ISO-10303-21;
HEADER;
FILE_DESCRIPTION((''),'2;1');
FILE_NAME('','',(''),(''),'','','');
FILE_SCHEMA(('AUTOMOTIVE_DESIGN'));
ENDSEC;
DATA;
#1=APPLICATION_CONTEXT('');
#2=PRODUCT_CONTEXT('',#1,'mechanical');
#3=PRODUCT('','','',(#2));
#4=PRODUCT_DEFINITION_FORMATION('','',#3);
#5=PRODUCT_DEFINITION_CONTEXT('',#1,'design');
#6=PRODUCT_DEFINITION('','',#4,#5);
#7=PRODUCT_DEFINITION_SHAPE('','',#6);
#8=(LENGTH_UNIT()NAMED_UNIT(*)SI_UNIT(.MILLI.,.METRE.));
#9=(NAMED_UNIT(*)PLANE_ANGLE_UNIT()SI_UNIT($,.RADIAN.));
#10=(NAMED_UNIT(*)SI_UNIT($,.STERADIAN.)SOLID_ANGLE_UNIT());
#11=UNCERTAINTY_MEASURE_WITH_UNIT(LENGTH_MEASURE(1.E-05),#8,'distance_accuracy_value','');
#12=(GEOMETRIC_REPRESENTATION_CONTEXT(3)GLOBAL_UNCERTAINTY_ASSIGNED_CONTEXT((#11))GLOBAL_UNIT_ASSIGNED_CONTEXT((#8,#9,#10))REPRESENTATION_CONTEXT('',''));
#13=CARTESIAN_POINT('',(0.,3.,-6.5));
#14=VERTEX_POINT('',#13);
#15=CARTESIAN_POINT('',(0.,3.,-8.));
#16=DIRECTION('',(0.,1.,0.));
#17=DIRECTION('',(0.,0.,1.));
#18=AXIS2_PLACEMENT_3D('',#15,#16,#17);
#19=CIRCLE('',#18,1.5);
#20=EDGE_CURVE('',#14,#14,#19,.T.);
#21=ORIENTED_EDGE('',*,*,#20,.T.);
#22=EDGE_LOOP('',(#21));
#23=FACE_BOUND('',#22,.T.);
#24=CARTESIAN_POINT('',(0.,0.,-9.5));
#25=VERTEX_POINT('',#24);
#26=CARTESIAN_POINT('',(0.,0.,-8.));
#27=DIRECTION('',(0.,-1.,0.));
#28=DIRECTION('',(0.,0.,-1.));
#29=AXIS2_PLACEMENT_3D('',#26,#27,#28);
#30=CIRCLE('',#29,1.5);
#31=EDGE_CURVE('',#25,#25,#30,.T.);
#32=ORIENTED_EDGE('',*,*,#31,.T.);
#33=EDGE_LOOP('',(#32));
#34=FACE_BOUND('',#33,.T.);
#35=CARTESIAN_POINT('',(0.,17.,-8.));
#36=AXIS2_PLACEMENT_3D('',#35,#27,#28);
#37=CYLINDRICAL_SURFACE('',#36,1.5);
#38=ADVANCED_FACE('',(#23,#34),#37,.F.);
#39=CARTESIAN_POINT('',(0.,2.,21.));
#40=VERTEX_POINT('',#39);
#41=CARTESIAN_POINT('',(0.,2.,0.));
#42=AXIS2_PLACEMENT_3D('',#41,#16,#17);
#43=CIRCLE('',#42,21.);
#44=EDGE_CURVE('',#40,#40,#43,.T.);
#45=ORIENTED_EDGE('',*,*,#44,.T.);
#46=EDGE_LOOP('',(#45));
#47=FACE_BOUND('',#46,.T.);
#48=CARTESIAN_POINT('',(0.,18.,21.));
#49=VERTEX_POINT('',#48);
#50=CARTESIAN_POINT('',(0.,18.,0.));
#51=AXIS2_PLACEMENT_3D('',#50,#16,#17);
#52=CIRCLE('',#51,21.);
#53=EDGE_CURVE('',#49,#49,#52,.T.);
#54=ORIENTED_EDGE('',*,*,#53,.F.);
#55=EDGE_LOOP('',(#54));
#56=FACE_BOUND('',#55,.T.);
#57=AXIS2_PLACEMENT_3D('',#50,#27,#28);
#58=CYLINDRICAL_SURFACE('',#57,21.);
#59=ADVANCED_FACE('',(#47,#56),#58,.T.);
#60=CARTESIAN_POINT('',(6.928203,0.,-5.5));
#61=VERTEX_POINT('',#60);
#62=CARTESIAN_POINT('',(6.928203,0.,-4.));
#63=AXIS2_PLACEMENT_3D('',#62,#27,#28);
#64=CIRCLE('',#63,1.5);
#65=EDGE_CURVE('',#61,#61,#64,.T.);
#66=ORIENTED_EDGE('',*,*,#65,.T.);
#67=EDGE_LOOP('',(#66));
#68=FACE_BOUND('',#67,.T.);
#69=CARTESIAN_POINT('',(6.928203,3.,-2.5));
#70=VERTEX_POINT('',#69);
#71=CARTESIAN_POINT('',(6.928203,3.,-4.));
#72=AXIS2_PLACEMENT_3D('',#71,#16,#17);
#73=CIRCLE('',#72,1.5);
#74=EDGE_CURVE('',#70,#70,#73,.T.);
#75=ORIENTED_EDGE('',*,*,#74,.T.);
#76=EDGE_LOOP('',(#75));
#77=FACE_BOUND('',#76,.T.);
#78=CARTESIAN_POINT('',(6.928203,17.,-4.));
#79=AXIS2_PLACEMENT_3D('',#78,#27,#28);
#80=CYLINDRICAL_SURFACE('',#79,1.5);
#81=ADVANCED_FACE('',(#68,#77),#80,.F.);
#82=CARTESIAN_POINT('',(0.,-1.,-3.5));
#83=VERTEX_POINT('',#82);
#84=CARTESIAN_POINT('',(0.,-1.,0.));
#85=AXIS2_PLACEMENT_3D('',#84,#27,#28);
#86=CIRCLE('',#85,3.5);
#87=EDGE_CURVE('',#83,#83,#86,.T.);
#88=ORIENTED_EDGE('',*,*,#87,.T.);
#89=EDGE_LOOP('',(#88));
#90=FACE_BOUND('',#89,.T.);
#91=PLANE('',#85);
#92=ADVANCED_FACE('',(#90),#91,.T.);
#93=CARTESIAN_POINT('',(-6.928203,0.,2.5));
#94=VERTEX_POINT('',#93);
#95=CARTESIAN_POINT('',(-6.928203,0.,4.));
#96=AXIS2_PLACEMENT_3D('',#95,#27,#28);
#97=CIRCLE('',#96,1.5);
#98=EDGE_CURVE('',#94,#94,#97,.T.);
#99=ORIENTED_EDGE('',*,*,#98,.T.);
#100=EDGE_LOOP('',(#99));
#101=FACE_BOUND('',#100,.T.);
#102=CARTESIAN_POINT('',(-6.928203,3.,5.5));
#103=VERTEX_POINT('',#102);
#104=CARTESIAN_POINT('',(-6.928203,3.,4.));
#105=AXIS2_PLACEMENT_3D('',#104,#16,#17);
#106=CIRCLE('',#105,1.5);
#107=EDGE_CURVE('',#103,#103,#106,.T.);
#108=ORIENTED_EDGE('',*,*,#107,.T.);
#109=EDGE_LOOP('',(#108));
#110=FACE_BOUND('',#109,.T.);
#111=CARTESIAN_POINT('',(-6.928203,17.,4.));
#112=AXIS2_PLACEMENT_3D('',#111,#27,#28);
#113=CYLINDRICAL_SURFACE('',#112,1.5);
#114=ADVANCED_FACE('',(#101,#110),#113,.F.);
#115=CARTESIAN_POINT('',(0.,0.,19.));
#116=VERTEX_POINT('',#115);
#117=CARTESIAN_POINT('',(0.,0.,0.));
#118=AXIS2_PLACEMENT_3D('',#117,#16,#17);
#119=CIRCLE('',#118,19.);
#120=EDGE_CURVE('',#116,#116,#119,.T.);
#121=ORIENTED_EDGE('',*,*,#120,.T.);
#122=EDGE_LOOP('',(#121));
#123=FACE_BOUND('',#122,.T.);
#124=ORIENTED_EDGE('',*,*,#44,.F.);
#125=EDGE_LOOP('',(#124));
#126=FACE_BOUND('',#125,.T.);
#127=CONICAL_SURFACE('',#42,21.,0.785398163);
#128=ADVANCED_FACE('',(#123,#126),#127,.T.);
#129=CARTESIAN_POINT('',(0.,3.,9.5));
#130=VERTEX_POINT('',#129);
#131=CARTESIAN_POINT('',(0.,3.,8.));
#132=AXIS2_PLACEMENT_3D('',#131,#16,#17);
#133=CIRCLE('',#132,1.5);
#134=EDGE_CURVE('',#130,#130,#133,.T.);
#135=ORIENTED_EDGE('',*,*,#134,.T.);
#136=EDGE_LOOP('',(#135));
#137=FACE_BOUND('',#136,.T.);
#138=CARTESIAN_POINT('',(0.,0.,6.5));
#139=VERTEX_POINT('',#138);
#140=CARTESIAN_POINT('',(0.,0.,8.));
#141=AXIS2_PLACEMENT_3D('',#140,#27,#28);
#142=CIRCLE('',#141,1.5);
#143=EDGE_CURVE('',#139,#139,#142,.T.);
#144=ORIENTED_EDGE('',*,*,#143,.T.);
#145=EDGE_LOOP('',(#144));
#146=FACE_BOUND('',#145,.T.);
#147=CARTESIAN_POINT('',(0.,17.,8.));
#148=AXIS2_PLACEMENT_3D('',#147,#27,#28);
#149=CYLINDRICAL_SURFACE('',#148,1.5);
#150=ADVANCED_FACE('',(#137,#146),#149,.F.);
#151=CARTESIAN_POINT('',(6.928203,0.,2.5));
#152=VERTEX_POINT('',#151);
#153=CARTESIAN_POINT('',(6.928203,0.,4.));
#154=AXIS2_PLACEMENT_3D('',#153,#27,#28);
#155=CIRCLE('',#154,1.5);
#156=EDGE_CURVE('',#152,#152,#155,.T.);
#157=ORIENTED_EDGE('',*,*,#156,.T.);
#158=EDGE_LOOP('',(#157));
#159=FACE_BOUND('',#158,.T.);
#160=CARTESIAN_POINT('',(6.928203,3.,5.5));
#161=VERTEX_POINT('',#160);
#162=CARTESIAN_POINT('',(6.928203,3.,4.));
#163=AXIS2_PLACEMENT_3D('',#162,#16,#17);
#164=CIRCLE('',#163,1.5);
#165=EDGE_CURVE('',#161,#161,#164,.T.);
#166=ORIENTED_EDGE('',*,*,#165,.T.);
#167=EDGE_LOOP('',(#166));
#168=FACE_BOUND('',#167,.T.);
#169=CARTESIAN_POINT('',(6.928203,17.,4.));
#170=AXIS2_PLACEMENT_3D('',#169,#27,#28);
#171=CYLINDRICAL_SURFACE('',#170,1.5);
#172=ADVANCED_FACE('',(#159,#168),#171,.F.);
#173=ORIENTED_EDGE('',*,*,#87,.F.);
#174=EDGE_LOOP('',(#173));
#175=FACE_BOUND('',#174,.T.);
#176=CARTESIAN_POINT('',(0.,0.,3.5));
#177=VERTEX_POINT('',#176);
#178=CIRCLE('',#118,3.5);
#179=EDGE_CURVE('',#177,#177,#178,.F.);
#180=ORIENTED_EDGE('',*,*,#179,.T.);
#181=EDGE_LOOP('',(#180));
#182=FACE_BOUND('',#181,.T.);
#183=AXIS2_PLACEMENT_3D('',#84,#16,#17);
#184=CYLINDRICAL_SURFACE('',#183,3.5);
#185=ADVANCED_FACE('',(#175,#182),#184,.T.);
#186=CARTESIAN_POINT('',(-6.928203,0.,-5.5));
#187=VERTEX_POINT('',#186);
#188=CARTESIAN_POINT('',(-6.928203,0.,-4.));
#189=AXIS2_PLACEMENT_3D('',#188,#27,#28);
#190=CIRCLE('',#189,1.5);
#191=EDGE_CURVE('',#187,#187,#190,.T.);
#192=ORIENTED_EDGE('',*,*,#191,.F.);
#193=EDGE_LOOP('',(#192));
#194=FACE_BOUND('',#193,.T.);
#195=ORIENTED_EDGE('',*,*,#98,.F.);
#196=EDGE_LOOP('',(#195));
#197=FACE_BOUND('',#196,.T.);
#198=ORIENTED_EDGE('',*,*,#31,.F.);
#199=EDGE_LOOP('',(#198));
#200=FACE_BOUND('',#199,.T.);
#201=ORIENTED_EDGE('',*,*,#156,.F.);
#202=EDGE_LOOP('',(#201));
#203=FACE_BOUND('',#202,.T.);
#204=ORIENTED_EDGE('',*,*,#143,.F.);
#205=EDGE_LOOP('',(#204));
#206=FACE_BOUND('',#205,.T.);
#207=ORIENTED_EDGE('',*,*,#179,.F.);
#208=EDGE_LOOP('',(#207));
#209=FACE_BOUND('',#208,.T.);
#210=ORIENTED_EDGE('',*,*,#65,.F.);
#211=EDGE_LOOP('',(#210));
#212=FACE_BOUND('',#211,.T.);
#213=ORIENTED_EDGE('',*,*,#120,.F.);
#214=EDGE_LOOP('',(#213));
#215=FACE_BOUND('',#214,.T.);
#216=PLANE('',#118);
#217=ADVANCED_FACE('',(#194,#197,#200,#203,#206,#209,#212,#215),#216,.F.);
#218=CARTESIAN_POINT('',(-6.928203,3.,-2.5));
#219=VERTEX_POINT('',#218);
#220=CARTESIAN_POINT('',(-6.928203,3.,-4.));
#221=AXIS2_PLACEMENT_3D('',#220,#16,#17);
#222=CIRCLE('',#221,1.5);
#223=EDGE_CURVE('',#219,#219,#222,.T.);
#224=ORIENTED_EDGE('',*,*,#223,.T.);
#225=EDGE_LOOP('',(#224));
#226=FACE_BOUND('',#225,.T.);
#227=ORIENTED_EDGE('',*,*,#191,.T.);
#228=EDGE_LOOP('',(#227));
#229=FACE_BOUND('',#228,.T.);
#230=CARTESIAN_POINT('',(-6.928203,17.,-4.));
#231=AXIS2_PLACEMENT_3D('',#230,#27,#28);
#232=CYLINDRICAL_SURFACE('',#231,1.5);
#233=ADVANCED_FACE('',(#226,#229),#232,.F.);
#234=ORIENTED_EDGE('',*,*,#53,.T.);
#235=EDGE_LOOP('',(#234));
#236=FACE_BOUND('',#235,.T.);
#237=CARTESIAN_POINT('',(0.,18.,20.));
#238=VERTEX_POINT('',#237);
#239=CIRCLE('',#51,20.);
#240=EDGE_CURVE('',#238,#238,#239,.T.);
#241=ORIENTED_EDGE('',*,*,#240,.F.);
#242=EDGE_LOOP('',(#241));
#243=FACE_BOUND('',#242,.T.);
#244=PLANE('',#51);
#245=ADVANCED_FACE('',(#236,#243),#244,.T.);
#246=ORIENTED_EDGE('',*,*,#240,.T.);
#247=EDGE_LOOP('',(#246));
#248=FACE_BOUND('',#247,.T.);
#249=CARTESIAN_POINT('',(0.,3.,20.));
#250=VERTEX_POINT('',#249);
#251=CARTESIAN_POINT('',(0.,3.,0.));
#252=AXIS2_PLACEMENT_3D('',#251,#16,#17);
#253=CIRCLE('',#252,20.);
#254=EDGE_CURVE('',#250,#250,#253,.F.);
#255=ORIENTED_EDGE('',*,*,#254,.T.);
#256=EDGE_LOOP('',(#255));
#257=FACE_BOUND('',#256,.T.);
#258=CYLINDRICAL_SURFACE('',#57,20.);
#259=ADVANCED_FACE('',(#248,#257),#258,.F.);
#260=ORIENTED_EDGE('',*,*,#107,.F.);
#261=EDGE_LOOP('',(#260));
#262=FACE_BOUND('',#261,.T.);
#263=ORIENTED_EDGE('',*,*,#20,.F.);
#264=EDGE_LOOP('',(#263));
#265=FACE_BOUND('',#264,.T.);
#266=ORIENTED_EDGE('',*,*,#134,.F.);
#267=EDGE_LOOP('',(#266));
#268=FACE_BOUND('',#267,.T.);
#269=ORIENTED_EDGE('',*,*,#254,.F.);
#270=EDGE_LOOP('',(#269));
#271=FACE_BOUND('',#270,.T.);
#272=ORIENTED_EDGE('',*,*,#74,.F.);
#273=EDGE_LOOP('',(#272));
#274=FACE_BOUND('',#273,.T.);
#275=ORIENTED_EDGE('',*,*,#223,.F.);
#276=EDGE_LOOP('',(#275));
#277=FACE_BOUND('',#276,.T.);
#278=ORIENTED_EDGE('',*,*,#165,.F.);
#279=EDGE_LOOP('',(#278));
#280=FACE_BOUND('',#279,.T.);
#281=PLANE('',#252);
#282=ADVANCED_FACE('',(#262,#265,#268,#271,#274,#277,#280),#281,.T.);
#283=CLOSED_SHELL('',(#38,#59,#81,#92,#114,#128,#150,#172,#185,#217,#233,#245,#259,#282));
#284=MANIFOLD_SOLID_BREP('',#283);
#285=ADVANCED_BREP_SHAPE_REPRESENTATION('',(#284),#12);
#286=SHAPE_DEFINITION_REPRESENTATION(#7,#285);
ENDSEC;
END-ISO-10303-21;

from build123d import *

# Parameters (mm, degrees)
SKETCH_1_R          = 20
EXTRUDE_1_DEPTH     = 3
SKETCH_1_3_R        = 21
SKETCH_1_3_R_2      = 20
EXTRUDE_2_DEPTH     = 18
SKETCH_4_R          = 1.5
CUT_EXTRUDE_1_DEPTH = 17
SKETCH_5_R          = 3.5
EXTRUDE_3_DEPTH     = 1


with BuildPart() as part:
    # Sketch 1 → Extrude 1 (new body)
    with BuildSketch(Plane(origin=(0, 0, 0), x_dir=(1, 0, 0), z_dir=(0, 1, 0))):
        Circle(SKETCH_1_R)
    extrude(amount=EXTRUDE_1_DEPTH)

    # Sketch 1_3 → Extrude 2 (add)
    with BuildSketch(Plane(origin=(0, 0, 0), x_dir=(1, 0, 0), z_dir=(0, 1, 0))):
        Circle(SKETCH_1_3_R)
        Circle(SKETCH_1_3_R_2, mode=Mode.SUBTRACT)
    extrude(amount=EXTRUDE_2_DEPTH)

    # Sketch 3 → Cut-Revolve 1 (revolve, cut)
    with BuildSketch(Plane.XY):
        Polygon((19, 0), (21, 2), (21, 0), align=None)
    revolve(axis=Axis((0, 18, 0), (0, -1, 0)), mode=Mode.SUBTRACT)

    # Sketch 4 → Cut-Extrude 1 (cut)
    with BuildSketch(Plane.XZ):
        with Locations((0, 8)):
            Circle(SKETCH_4_R)
        with Locations((6.92820323, 4)):
            Circle(SKETCH_4_R)
        with Locations((6.92820323, -4)):
            Circle(SKETCH_4_R)
        with Locations((0, -8)):
            Circle(SKETCH_4_R)
        with Locations((-6.92820323, -4)):
            Circle(SKETCH_4_R)
        with Locations((-6.92820323, 4)):
            Circle(SKETCH_4_R)
    extrude(amount=-CUT_EXTRUDE_1_DEPTH, mode=Mode.SUBTRACT)

    # Sketch 5 → Extrude 3 (add)
    with BuildSketch(Plane.XZ):
        Circle(SKETCH_5_R)
    extrude(amount=EXTRUDE_3_DEPTH)


solid = part.part
